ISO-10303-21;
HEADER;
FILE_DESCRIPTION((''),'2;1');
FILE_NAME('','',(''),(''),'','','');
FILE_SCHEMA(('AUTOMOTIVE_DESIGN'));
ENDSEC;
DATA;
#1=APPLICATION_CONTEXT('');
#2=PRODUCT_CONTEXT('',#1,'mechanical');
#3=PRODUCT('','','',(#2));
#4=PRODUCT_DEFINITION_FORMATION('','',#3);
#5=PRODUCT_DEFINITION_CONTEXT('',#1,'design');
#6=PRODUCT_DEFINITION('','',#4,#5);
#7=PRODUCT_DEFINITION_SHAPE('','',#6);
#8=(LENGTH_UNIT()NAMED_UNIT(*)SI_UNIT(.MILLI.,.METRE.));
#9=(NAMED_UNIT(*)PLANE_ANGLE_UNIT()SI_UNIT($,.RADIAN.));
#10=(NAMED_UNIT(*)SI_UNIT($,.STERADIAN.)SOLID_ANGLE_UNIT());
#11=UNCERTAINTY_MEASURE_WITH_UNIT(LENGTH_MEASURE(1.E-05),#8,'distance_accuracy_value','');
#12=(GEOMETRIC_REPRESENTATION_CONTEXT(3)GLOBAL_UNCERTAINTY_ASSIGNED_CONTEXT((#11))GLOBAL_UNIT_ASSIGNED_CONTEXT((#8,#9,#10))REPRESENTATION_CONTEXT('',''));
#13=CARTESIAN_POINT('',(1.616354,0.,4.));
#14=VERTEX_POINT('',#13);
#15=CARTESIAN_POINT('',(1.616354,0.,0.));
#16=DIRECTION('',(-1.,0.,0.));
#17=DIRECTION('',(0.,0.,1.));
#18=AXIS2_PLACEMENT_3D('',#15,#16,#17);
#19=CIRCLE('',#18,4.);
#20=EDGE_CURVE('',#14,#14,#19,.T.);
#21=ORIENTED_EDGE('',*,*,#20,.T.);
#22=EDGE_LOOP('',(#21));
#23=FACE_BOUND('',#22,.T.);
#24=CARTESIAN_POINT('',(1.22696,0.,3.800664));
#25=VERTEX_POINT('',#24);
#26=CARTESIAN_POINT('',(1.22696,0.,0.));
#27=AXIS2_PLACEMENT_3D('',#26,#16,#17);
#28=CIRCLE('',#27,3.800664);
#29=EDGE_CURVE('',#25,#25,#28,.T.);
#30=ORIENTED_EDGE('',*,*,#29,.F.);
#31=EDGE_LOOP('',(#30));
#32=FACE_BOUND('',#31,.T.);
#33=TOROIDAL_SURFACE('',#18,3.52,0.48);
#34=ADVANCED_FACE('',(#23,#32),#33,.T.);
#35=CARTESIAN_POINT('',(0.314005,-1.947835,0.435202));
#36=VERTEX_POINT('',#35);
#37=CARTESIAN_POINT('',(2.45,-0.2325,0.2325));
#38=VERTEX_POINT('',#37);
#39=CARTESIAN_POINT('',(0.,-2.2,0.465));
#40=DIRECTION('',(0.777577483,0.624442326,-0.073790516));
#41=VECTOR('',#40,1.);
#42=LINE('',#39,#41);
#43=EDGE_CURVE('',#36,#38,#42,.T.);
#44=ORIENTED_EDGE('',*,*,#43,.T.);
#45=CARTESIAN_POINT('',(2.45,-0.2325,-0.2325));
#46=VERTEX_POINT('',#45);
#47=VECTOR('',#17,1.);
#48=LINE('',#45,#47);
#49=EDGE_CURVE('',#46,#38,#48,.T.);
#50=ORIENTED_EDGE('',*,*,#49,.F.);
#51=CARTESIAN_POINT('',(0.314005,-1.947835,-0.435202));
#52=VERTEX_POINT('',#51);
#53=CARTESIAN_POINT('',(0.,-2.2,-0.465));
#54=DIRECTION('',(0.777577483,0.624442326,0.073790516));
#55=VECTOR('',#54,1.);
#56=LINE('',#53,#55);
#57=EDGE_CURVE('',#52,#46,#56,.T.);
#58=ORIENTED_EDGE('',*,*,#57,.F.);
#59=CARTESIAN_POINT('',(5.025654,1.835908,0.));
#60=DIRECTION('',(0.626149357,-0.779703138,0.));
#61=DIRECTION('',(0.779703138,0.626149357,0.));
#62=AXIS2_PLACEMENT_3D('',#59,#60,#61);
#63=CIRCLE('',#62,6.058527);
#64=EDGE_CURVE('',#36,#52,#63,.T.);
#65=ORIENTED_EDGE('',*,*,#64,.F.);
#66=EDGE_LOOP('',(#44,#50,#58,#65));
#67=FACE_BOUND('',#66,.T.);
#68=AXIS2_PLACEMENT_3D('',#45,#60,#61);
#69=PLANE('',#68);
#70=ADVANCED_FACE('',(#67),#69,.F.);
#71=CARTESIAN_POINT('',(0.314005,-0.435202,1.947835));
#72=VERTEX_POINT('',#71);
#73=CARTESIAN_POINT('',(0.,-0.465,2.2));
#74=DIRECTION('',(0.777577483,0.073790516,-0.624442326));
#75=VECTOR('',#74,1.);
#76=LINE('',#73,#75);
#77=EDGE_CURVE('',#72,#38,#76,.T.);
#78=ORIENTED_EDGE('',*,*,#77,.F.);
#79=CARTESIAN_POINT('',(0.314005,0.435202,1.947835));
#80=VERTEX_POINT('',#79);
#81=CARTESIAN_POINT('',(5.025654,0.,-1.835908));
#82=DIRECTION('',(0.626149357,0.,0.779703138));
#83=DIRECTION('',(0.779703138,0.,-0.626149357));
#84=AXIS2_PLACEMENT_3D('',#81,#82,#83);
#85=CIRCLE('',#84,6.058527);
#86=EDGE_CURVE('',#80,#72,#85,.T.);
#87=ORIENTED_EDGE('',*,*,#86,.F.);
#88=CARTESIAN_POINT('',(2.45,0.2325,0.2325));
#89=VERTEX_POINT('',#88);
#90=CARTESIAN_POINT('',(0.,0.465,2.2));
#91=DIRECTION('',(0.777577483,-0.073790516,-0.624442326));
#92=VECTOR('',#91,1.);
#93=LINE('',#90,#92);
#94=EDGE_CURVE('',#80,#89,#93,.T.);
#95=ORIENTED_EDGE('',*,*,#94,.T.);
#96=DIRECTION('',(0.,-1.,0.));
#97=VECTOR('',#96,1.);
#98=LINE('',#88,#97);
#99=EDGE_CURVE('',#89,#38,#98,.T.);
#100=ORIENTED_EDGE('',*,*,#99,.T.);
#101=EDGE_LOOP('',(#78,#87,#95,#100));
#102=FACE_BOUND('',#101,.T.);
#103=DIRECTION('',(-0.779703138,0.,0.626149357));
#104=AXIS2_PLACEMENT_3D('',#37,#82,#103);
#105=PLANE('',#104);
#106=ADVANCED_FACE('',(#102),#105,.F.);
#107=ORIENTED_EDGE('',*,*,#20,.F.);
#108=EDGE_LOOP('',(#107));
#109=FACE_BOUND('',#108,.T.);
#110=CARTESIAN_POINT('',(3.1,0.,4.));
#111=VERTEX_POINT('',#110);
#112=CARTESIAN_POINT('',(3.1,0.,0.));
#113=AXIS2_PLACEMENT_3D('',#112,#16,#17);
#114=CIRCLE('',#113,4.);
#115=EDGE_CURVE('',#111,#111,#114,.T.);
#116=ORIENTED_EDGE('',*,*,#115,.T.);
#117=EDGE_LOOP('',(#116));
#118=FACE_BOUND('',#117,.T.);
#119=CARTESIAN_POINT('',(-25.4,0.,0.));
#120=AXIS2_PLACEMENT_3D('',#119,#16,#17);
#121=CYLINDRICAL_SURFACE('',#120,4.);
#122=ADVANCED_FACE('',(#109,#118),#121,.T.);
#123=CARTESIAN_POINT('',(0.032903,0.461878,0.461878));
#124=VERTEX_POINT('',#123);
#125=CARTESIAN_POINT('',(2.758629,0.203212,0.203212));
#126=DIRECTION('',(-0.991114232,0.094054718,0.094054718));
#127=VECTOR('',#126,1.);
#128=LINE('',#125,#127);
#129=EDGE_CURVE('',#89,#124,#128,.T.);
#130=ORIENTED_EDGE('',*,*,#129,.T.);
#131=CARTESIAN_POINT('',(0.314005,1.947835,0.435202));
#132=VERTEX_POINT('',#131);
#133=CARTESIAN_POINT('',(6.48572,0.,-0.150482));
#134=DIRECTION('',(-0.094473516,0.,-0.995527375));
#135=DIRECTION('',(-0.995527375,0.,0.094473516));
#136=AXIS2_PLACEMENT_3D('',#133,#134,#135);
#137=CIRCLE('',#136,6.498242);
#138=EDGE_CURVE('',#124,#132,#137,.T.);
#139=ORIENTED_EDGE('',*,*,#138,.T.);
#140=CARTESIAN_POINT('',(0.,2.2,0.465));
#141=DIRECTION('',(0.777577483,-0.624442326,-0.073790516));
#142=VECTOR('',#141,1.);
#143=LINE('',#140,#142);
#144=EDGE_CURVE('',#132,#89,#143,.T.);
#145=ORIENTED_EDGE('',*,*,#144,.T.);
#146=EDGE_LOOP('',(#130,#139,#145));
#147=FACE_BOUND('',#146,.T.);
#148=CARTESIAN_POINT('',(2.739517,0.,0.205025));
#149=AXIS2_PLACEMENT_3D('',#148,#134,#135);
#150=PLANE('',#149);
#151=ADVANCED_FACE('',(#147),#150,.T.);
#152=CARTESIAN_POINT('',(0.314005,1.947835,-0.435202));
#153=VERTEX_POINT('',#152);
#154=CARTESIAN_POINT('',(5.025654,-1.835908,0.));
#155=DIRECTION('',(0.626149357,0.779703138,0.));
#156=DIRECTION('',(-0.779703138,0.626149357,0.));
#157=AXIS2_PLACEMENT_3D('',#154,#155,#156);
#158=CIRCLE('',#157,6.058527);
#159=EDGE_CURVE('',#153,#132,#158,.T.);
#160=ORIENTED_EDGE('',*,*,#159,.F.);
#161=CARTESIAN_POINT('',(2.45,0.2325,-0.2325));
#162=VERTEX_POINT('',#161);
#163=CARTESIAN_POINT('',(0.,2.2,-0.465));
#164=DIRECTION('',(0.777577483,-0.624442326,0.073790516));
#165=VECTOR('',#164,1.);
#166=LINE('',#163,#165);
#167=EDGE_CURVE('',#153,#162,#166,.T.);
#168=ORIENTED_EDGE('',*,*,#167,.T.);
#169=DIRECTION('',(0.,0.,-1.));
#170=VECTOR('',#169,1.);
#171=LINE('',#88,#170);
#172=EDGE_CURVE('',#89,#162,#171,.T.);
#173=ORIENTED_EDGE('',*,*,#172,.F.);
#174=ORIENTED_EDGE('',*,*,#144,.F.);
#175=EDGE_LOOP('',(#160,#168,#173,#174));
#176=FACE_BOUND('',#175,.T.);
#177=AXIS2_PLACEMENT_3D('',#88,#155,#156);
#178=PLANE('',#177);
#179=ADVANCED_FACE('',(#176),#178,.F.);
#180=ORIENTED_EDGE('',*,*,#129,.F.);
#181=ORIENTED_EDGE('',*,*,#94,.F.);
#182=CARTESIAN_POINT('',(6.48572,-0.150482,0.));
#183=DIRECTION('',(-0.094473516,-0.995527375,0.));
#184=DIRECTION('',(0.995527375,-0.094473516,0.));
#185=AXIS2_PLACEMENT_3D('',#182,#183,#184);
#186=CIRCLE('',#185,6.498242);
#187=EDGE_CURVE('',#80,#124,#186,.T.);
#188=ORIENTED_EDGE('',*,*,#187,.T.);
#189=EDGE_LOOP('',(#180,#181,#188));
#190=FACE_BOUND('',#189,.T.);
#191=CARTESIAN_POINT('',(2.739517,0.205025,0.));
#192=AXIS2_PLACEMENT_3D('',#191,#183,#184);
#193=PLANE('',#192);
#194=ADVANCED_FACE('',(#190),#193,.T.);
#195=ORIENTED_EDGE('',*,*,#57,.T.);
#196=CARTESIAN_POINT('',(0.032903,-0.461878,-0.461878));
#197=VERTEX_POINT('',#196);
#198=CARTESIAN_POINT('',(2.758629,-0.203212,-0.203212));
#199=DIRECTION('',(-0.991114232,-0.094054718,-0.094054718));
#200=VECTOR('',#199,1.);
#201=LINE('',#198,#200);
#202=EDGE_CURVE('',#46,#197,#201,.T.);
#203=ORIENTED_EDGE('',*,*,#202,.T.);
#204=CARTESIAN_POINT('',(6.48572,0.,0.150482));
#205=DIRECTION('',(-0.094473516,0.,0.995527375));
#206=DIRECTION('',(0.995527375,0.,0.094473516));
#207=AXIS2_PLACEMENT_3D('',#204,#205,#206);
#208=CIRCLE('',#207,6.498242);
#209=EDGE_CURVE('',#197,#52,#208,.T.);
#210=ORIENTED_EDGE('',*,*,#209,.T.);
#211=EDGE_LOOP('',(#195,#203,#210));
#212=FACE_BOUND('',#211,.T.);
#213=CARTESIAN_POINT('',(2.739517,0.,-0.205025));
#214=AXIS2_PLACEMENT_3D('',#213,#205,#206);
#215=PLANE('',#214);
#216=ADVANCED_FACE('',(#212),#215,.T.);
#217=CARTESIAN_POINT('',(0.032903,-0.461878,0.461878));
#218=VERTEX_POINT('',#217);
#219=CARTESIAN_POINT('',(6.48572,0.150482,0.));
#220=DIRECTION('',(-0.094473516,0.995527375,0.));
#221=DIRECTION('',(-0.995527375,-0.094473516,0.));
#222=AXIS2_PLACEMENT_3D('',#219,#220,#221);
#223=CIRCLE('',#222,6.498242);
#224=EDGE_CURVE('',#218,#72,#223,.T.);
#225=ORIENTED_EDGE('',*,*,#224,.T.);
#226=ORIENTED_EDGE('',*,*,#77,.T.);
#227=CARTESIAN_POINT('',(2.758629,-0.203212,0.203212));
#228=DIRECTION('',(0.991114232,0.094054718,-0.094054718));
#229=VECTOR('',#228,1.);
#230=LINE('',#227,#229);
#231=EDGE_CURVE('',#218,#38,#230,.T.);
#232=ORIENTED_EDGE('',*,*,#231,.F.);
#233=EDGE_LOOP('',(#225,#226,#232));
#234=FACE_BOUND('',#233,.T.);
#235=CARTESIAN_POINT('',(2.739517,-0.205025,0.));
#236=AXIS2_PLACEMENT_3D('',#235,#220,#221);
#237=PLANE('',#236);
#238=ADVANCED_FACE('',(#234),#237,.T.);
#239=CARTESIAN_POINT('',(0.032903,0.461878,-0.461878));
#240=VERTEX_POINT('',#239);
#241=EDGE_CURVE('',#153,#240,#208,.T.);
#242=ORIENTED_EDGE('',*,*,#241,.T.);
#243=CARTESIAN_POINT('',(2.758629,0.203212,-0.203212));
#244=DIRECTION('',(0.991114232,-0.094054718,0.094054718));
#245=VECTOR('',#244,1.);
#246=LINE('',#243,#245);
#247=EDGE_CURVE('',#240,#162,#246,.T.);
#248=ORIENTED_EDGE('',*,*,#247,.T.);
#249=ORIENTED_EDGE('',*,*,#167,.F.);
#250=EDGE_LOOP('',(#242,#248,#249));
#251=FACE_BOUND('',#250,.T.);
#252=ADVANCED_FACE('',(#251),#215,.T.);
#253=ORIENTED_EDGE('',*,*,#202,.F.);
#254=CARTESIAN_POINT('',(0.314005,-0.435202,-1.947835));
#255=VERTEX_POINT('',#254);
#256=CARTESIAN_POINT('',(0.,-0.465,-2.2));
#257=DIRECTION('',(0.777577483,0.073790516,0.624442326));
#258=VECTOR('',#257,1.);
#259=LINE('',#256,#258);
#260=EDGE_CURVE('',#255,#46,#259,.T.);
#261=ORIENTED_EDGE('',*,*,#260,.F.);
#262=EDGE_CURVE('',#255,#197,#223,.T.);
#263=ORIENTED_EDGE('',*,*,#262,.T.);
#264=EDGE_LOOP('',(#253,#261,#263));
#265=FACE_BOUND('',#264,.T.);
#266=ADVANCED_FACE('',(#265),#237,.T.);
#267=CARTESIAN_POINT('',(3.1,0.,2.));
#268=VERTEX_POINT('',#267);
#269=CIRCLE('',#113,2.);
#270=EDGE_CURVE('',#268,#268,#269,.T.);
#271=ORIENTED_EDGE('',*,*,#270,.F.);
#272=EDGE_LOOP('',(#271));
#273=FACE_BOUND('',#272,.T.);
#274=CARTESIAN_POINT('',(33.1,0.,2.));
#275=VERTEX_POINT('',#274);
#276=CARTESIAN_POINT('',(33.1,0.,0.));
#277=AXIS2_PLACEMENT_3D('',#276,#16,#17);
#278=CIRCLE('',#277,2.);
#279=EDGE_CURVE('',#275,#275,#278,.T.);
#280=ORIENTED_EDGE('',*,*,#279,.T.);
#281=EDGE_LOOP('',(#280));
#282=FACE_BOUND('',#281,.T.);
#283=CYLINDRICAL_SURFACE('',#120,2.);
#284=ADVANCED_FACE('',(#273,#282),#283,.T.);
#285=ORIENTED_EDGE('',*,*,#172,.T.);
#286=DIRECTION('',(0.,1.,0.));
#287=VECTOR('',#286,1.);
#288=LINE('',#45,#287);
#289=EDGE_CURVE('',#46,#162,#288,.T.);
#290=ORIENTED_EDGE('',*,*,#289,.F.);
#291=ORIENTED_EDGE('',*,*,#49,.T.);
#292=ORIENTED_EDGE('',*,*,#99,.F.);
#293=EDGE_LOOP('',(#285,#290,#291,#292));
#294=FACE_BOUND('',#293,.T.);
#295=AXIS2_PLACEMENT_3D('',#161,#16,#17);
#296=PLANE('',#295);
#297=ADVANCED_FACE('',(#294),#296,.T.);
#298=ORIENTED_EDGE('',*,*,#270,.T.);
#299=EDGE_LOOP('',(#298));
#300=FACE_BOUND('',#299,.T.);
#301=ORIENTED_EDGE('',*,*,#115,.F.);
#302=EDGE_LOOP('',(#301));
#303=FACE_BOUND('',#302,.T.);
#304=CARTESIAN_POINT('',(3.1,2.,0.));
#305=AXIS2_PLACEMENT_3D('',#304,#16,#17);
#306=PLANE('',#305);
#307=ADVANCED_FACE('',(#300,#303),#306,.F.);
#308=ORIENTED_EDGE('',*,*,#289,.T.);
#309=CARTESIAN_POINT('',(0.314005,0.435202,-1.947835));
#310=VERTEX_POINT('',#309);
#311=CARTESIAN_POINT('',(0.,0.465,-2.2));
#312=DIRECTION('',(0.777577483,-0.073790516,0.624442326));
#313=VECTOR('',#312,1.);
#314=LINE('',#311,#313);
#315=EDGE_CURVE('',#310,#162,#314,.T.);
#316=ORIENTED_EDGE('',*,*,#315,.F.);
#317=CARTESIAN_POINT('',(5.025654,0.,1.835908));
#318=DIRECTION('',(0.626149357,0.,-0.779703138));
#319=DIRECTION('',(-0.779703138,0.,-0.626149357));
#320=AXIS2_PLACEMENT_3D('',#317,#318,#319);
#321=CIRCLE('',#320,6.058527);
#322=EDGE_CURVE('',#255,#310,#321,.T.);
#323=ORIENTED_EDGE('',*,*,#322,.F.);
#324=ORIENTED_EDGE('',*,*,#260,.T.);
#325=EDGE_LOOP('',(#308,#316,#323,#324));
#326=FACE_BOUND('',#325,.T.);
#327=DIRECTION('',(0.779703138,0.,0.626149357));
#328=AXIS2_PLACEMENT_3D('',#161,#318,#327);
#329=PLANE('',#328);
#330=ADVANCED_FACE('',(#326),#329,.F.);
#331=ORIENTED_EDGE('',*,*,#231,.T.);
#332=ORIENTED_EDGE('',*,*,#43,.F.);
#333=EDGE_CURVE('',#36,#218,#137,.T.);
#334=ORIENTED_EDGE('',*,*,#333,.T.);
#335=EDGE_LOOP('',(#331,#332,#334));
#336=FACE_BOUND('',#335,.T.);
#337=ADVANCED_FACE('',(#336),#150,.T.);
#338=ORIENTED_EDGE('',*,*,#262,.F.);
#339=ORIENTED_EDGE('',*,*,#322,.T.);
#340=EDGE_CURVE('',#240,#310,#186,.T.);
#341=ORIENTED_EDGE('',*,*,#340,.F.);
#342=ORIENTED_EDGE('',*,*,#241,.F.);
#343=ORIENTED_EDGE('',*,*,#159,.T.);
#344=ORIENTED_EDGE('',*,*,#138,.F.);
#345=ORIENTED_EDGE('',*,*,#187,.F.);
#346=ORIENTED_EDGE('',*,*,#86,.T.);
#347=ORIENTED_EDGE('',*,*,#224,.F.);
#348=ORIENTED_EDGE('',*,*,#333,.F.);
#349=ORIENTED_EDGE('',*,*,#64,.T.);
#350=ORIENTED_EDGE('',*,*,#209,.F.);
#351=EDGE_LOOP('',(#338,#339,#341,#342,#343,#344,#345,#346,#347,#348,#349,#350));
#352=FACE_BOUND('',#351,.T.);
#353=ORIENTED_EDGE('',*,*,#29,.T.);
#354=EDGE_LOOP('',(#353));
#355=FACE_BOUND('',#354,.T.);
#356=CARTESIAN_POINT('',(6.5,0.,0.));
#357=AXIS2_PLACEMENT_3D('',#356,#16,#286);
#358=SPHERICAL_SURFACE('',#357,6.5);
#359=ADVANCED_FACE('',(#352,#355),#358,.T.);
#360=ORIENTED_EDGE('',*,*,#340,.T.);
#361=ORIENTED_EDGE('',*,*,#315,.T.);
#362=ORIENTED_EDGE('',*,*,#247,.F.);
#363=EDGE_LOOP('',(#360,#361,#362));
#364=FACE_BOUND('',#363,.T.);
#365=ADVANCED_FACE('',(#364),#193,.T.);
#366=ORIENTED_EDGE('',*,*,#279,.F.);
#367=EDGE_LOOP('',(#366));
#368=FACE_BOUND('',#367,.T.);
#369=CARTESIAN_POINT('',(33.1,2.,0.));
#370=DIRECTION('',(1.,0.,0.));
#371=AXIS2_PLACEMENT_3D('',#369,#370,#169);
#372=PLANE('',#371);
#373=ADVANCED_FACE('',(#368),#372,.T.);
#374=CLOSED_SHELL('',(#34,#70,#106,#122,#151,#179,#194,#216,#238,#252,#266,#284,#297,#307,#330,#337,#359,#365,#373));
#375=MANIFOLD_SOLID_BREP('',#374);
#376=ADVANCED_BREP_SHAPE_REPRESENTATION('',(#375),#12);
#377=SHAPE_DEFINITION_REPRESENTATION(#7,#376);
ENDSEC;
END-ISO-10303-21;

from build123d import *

# Parameters (mm, degrees)
SKETCH3_W         = 0.93
SKETCH3_H         = 4.4
SKETCH4_W         = 0.465
SKETCH4_H         = 0.465
CIRPATTERN1_COUNT = 2
CIRPATTERN1_ANGLE = 90


with BuildPart() as part:
    # BodySke → Base-Revolve (revolve)
    with BuildSketch(Plane.XY):
        with BuildLine():
            Line((3.1, 2), (3.1, 4))
            Line((3.1, 4), (1.616353821, 4))
            ThreePointArc((1.616353821, 4), (1.397629036, 3.947269784), (1.226960106, 3.800664452))
            ThreePointArc((1.226960106, 3.800664452), (0.314340807, 1.996902688), (0, 0))
            Line((0, 0), (33.1, 0))
            Line((33.1, 0), (33.1, 2))
            Line((33.1, 2), (3.1, 2))
        make_face()
    revolve(axis=Axis((-25.4, 0, 0), (1, 0, 0)))

    # Sketch3 → Cut-Loft1 section 0
    with BuildSketch(Plane(origin=(0, 0, 0), x_dir=(0, 0, -1), z_dir=(1, 0, 0))):
        Rectangle(SKETCH3_W, SKETCH3_H)
    # Sketch4 → Cut-Loft1 section 1
    with BuildSketch(Plane(origin=(2.45, 0, 0), x_dir=(0, 0, -1), z_dir=(1, 0, 0))):
        Rectangle(SKETCH4_W, SKETCH4_H)
    cut_loft1 = loft(mode=Mode.SUBTRACT)

    # CirPattern1: Cut-Loft1 ×2 about axis
    cirpattern1_axis = Axis((0, 0, 0), (1, 0, 0))
    for i in range(1, CIRPATTERN1_COUNT):
        add(cut_loft1.rotate(cirpattern1_axis, i * CIRPATTERN1_ANGLE / (CIRPATTERN1_COUNT - 1)), mode=Mode.SUBTRACT)


solid = part.part
